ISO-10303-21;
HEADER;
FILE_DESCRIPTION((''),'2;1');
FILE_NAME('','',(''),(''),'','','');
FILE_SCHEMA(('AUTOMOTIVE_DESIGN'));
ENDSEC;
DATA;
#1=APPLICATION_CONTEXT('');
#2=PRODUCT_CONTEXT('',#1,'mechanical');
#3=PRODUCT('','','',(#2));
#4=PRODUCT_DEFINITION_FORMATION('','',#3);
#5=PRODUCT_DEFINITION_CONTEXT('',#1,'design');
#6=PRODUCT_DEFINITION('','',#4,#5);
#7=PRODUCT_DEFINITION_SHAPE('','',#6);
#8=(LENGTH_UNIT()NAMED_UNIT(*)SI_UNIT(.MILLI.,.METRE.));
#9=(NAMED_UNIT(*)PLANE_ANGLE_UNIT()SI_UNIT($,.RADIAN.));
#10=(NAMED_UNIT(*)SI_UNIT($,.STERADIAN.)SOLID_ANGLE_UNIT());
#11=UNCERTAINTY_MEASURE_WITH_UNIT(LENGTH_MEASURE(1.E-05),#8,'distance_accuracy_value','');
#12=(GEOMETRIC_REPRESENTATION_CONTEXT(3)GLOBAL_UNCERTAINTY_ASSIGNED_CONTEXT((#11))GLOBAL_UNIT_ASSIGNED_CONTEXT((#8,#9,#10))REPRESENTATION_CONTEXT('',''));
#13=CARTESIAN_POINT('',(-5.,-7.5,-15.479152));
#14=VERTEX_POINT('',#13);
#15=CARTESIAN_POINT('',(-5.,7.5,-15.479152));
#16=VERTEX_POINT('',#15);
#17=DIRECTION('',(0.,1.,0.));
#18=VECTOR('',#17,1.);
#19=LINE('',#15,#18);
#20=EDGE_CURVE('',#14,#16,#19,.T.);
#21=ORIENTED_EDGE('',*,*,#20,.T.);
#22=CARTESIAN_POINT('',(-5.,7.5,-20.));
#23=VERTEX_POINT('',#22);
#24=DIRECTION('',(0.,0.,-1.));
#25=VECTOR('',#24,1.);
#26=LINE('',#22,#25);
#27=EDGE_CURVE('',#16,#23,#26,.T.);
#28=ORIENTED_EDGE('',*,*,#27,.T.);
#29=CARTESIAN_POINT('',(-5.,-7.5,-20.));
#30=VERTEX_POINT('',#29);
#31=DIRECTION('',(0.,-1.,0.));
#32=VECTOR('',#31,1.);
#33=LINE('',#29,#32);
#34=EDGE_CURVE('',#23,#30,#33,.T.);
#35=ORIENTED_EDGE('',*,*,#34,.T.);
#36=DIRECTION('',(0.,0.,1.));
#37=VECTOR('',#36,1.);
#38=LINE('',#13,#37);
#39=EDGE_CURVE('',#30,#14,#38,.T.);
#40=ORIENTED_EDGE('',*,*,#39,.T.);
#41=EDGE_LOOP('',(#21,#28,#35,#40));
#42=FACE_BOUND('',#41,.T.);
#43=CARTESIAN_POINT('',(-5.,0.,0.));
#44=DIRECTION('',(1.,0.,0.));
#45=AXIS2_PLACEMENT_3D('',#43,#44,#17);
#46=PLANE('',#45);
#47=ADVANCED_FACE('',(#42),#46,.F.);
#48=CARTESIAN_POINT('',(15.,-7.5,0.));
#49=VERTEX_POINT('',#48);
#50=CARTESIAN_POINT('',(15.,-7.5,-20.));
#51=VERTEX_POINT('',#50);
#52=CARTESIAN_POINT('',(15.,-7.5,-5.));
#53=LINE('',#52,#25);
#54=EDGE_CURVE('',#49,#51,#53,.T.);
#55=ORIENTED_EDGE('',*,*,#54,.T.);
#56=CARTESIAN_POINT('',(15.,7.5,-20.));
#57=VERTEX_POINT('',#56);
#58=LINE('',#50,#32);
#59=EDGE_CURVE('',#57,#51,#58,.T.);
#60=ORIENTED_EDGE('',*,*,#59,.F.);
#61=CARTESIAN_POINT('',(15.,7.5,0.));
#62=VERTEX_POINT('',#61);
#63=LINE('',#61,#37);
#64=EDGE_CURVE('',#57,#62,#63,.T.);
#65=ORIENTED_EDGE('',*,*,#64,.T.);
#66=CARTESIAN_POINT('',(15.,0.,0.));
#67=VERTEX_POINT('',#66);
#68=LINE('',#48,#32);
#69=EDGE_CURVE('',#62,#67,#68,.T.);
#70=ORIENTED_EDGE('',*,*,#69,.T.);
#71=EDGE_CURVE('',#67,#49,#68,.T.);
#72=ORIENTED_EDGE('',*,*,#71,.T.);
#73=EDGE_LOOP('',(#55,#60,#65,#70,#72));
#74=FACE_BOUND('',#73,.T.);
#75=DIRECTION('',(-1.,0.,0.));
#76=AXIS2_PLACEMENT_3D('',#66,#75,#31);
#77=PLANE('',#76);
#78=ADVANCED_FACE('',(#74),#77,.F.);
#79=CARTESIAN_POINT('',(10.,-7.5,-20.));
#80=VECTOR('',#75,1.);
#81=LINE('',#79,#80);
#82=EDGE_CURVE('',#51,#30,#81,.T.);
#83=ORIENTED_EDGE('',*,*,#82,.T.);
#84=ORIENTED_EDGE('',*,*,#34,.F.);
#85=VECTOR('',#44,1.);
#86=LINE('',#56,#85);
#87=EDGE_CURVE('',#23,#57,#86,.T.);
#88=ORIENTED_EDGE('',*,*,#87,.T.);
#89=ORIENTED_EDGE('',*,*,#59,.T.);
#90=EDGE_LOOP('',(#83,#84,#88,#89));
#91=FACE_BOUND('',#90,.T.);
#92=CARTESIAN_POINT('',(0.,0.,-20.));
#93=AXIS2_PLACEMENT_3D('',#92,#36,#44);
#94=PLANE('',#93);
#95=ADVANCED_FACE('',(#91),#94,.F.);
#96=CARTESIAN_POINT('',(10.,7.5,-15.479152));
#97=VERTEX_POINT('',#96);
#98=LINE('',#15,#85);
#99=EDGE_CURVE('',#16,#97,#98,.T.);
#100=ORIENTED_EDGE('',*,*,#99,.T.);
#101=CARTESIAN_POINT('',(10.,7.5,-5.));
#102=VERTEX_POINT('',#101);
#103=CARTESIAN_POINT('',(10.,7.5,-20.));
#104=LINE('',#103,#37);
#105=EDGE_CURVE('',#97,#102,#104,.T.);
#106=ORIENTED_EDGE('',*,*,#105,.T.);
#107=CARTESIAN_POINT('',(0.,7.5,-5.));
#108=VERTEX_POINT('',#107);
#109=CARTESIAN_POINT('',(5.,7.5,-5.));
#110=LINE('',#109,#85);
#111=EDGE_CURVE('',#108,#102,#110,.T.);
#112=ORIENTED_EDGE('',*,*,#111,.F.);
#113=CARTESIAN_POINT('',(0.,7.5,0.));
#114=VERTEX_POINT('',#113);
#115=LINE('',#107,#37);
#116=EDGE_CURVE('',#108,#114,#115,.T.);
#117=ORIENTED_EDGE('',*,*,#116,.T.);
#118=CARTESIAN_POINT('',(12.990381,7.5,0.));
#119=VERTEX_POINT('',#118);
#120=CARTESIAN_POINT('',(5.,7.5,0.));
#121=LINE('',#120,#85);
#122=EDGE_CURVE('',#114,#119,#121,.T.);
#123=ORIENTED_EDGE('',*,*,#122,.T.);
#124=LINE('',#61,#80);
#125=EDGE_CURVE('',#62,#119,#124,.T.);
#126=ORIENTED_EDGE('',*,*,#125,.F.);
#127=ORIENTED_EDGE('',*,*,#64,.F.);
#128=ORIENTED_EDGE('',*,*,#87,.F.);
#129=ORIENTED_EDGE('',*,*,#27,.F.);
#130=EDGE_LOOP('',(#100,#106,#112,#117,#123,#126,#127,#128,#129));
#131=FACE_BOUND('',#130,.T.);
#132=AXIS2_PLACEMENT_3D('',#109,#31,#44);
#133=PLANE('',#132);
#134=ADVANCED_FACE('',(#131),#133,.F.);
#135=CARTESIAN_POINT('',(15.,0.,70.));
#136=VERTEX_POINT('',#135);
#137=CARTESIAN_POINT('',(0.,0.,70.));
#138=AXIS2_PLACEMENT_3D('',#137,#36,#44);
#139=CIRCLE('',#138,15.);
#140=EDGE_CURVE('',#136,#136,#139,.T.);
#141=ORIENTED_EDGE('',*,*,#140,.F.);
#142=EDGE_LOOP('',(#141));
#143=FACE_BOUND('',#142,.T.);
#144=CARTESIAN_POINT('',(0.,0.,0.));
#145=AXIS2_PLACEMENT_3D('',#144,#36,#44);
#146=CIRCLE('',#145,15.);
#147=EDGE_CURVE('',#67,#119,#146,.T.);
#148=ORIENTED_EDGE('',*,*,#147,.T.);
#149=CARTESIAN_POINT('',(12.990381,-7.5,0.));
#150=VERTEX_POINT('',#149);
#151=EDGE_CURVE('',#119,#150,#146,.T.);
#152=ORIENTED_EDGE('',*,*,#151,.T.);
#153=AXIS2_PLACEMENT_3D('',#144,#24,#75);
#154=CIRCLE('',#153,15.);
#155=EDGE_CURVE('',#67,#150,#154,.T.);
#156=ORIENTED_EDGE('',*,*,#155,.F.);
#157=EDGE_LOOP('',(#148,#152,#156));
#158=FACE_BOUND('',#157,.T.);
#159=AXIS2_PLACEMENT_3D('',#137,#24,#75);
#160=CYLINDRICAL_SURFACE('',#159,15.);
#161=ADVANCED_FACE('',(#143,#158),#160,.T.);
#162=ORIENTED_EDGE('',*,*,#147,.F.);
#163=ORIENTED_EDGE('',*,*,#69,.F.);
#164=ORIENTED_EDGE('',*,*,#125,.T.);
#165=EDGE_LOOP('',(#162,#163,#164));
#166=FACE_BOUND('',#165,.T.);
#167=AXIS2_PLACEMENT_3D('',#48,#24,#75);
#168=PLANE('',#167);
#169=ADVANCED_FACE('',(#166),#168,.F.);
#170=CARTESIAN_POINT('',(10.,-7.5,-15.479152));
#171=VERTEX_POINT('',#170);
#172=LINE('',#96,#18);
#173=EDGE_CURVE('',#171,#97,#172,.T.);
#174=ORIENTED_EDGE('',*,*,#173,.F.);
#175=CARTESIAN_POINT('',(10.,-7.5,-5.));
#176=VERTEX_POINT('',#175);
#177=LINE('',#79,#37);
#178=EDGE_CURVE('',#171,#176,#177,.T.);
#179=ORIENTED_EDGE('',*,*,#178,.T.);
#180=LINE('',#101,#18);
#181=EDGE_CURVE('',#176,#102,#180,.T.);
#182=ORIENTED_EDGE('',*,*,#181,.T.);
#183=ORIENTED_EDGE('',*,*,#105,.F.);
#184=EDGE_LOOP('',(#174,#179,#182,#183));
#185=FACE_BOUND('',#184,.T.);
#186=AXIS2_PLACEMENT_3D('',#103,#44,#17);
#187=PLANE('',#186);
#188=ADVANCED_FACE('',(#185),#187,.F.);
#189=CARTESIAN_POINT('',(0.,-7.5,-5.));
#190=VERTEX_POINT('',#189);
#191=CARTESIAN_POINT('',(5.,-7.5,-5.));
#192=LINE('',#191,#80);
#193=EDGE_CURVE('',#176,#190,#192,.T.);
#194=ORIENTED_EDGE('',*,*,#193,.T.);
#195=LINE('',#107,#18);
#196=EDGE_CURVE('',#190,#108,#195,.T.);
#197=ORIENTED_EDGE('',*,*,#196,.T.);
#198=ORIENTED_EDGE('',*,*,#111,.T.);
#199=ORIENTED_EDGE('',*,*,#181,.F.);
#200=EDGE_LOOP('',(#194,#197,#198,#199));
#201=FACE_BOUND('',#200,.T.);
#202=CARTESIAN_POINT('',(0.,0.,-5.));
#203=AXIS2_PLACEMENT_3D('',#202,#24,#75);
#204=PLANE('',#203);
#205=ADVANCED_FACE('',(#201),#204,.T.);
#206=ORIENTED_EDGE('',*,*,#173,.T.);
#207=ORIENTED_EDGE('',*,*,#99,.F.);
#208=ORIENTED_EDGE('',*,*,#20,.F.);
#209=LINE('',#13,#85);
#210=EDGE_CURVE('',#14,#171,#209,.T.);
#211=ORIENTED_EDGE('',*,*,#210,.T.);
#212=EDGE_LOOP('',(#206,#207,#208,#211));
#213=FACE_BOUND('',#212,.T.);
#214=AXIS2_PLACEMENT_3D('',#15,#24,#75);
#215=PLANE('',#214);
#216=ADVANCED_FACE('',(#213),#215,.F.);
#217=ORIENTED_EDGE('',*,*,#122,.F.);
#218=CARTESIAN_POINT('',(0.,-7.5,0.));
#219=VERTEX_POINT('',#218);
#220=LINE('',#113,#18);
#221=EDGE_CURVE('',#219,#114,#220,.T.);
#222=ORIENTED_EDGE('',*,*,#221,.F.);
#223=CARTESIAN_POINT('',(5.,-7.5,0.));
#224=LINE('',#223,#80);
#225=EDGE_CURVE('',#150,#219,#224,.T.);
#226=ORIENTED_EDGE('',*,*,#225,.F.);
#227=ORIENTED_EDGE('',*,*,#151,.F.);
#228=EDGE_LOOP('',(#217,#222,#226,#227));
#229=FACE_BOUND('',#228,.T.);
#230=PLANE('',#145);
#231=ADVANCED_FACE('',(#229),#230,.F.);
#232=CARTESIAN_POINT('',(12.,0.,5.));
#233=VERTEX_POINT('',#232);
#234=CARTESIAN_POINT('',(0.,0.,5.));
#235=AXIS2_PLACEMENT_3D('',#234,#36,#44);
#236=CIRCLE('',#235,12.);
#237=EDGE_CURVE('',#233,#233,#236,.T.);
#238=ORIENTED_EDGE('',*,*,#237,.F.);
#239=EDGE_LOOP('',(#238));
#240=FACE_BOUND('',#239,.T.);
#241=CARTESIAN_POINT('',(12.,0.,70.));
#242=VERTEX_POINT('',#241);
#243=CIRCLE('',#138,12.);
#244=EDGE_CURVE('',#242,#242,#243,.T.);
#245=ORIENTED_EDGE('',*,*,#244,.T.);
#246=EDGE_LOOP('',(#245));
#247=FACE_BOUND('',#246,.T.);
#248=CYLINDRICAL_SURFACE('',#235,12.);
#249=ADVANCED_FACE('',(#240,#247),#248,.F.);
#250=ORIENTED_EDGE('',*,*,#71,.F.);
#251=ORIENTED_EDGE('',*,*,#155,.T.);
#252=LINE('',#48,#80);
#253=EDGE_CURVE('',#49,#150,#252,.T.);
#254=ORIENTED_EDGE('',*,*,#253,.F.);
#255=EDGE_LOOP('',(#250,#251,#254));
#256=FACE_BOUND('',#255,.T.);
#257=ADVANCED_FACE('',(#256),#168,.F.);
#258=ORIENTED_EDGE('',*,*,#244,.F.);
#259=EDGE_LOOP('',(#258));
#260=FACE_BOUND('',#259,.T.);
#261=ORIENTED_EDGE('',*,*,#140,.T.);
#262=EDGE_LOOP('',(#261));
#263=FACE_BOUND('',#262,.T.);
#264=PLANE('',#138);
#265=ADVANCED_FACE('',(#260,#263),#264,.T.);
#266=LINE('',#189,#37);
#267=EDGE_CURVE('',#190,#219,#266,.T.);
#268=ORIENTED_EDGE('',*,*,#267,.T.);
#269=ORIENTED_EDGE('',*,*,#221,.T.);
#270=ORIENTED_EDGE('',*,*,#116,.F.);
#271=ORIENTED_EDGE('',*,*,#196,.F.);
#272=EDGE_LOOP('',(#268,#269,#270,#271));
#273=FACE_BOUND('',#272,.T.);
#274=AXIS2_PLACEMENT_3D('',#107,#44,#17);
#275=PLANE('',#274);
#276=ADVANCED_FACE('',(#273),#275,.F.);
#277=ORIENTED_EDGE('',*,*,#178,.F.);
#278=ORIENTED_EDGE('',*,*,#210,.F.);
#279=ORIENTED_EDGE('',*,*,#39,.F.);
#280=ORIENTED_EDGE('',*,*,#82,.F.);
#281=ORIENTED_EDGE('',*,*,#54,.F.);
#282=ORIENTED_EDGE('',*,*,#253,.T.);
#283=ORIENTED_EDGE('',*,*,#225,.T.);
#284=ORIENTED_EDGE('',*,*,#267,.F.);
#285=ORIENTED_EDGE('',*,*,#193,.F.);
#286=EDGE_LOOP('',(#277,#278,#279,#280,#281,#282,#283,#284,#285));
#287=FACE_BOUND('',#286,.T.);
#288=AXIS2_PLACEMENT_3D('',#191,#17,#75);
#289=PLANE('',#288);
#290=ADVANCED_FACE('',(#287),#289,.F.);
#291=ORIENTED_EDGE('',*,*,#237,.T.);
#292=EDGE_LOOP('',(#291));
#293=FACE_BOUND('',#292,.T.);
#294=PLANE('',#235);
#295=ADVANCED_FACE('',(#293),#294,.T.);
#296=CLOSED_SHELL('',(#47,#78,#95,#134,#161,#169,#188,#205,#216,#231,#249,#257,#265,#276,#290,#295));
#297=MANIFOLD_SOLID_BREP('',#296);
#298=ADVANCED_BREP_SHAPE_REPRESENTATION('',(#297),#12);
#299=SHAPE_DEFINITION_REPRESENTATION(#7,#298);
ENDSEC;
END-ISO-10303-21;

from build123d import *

# Parameters (mm, degrees)
ESQUISSE1_R             = 15
BOSS_EXTRU_1_DEPTH      = 70
ESQUISSE2_R             = 12
ENL_V_MAT_EXTRU_1_DEPTH = 65
ESQUISSE3_W             = 5
ESQUISSE3_H             = 15
BOSS_EXTRU_2_DEPTH      = 5
ESQUISSE12_W            = 5
ESQUISSE12_H            = 15
BOSS_EXTRU_6_DEPTH      = 10
ESQUISSE13_W            = 5
ESQUISSE13_H            = 15
BOSS_EXTRU_7_DEPTH      = 15
ESQUISSE14_W            = 4.52084763
ESQUISSE14_H            = 15
BOSS_EXTRU_8_DEPTH      = 15


with BuildPart() as part:
    # Esquisse1 → Boss.-Extru.1 (new body)
    with BuildSketch(Plane.XY):
        Circle(ESQUISSE1_R)
    extrude(amount=BOSS_EXTRU_1_DEPTH)

    # Esquisse2 → Enlèv. mat.-Extru.1 (cut)
    with BuildSketch(Plane.XY.offset(70)):
        Circle(ESQUISSE2_R)
    extrude(amount=-ENL_V_MAT_EXTRU_1_DEPTH, mode=Mode.SUBTRACT)

    # Esquisse3 → Boss.-Extru.2 (add)
    with BuildSketch(Plane(origin=(0, 0, 0), x_dir=(-1, 0, 0), z_dir=(0, 0, -1))):
        with Locations((-2.5, 0)):
            Rectangle(ESQUISSE3_W, ESQUISSE3_H)
    extrude(amount=BOSS_EXTRU_2_DEPTH)

    # Esquisse12 → Boss.-Extru.6 (add)
    with BuildSketch(Plane(origin=(5, 0, 0), x_dir=(0, 0, -1), z_dir=(1, 0, 0))):
        with Locations((2.5, 0)):
            Rectangle(ESQUISSE12_W, ESQUISSE12_H)
    extrude(amount=BOSS_EXTRU_6_DEPTH)

    # Esquisse13 → Boss.-Extru.7 (add)
    with BuildSketch(Plane(origin=(0, 0, -5), x_dir=(-1, 0, 0), z_dir=(0, 0, -1))):
        with Locations((-12.5, 0)):
            Rectangle(ESQUISSE13_W, ESQUISSE13_H)
    extrude(amount=BOSS_EXTRU_7_DEPTH)

    # Esquisse14 → Boss.-Extru.8 (add)
    with BuildSketch(Plane.ZY.offset(-10)):
        with Locations((-17.739576185, 0)):
            Rectangle(ESQUISSE14_W, ESQUISSE14_H)
    extrude(amount=BOSS_EXTRU_8_DEPTH)


solid = part.part
